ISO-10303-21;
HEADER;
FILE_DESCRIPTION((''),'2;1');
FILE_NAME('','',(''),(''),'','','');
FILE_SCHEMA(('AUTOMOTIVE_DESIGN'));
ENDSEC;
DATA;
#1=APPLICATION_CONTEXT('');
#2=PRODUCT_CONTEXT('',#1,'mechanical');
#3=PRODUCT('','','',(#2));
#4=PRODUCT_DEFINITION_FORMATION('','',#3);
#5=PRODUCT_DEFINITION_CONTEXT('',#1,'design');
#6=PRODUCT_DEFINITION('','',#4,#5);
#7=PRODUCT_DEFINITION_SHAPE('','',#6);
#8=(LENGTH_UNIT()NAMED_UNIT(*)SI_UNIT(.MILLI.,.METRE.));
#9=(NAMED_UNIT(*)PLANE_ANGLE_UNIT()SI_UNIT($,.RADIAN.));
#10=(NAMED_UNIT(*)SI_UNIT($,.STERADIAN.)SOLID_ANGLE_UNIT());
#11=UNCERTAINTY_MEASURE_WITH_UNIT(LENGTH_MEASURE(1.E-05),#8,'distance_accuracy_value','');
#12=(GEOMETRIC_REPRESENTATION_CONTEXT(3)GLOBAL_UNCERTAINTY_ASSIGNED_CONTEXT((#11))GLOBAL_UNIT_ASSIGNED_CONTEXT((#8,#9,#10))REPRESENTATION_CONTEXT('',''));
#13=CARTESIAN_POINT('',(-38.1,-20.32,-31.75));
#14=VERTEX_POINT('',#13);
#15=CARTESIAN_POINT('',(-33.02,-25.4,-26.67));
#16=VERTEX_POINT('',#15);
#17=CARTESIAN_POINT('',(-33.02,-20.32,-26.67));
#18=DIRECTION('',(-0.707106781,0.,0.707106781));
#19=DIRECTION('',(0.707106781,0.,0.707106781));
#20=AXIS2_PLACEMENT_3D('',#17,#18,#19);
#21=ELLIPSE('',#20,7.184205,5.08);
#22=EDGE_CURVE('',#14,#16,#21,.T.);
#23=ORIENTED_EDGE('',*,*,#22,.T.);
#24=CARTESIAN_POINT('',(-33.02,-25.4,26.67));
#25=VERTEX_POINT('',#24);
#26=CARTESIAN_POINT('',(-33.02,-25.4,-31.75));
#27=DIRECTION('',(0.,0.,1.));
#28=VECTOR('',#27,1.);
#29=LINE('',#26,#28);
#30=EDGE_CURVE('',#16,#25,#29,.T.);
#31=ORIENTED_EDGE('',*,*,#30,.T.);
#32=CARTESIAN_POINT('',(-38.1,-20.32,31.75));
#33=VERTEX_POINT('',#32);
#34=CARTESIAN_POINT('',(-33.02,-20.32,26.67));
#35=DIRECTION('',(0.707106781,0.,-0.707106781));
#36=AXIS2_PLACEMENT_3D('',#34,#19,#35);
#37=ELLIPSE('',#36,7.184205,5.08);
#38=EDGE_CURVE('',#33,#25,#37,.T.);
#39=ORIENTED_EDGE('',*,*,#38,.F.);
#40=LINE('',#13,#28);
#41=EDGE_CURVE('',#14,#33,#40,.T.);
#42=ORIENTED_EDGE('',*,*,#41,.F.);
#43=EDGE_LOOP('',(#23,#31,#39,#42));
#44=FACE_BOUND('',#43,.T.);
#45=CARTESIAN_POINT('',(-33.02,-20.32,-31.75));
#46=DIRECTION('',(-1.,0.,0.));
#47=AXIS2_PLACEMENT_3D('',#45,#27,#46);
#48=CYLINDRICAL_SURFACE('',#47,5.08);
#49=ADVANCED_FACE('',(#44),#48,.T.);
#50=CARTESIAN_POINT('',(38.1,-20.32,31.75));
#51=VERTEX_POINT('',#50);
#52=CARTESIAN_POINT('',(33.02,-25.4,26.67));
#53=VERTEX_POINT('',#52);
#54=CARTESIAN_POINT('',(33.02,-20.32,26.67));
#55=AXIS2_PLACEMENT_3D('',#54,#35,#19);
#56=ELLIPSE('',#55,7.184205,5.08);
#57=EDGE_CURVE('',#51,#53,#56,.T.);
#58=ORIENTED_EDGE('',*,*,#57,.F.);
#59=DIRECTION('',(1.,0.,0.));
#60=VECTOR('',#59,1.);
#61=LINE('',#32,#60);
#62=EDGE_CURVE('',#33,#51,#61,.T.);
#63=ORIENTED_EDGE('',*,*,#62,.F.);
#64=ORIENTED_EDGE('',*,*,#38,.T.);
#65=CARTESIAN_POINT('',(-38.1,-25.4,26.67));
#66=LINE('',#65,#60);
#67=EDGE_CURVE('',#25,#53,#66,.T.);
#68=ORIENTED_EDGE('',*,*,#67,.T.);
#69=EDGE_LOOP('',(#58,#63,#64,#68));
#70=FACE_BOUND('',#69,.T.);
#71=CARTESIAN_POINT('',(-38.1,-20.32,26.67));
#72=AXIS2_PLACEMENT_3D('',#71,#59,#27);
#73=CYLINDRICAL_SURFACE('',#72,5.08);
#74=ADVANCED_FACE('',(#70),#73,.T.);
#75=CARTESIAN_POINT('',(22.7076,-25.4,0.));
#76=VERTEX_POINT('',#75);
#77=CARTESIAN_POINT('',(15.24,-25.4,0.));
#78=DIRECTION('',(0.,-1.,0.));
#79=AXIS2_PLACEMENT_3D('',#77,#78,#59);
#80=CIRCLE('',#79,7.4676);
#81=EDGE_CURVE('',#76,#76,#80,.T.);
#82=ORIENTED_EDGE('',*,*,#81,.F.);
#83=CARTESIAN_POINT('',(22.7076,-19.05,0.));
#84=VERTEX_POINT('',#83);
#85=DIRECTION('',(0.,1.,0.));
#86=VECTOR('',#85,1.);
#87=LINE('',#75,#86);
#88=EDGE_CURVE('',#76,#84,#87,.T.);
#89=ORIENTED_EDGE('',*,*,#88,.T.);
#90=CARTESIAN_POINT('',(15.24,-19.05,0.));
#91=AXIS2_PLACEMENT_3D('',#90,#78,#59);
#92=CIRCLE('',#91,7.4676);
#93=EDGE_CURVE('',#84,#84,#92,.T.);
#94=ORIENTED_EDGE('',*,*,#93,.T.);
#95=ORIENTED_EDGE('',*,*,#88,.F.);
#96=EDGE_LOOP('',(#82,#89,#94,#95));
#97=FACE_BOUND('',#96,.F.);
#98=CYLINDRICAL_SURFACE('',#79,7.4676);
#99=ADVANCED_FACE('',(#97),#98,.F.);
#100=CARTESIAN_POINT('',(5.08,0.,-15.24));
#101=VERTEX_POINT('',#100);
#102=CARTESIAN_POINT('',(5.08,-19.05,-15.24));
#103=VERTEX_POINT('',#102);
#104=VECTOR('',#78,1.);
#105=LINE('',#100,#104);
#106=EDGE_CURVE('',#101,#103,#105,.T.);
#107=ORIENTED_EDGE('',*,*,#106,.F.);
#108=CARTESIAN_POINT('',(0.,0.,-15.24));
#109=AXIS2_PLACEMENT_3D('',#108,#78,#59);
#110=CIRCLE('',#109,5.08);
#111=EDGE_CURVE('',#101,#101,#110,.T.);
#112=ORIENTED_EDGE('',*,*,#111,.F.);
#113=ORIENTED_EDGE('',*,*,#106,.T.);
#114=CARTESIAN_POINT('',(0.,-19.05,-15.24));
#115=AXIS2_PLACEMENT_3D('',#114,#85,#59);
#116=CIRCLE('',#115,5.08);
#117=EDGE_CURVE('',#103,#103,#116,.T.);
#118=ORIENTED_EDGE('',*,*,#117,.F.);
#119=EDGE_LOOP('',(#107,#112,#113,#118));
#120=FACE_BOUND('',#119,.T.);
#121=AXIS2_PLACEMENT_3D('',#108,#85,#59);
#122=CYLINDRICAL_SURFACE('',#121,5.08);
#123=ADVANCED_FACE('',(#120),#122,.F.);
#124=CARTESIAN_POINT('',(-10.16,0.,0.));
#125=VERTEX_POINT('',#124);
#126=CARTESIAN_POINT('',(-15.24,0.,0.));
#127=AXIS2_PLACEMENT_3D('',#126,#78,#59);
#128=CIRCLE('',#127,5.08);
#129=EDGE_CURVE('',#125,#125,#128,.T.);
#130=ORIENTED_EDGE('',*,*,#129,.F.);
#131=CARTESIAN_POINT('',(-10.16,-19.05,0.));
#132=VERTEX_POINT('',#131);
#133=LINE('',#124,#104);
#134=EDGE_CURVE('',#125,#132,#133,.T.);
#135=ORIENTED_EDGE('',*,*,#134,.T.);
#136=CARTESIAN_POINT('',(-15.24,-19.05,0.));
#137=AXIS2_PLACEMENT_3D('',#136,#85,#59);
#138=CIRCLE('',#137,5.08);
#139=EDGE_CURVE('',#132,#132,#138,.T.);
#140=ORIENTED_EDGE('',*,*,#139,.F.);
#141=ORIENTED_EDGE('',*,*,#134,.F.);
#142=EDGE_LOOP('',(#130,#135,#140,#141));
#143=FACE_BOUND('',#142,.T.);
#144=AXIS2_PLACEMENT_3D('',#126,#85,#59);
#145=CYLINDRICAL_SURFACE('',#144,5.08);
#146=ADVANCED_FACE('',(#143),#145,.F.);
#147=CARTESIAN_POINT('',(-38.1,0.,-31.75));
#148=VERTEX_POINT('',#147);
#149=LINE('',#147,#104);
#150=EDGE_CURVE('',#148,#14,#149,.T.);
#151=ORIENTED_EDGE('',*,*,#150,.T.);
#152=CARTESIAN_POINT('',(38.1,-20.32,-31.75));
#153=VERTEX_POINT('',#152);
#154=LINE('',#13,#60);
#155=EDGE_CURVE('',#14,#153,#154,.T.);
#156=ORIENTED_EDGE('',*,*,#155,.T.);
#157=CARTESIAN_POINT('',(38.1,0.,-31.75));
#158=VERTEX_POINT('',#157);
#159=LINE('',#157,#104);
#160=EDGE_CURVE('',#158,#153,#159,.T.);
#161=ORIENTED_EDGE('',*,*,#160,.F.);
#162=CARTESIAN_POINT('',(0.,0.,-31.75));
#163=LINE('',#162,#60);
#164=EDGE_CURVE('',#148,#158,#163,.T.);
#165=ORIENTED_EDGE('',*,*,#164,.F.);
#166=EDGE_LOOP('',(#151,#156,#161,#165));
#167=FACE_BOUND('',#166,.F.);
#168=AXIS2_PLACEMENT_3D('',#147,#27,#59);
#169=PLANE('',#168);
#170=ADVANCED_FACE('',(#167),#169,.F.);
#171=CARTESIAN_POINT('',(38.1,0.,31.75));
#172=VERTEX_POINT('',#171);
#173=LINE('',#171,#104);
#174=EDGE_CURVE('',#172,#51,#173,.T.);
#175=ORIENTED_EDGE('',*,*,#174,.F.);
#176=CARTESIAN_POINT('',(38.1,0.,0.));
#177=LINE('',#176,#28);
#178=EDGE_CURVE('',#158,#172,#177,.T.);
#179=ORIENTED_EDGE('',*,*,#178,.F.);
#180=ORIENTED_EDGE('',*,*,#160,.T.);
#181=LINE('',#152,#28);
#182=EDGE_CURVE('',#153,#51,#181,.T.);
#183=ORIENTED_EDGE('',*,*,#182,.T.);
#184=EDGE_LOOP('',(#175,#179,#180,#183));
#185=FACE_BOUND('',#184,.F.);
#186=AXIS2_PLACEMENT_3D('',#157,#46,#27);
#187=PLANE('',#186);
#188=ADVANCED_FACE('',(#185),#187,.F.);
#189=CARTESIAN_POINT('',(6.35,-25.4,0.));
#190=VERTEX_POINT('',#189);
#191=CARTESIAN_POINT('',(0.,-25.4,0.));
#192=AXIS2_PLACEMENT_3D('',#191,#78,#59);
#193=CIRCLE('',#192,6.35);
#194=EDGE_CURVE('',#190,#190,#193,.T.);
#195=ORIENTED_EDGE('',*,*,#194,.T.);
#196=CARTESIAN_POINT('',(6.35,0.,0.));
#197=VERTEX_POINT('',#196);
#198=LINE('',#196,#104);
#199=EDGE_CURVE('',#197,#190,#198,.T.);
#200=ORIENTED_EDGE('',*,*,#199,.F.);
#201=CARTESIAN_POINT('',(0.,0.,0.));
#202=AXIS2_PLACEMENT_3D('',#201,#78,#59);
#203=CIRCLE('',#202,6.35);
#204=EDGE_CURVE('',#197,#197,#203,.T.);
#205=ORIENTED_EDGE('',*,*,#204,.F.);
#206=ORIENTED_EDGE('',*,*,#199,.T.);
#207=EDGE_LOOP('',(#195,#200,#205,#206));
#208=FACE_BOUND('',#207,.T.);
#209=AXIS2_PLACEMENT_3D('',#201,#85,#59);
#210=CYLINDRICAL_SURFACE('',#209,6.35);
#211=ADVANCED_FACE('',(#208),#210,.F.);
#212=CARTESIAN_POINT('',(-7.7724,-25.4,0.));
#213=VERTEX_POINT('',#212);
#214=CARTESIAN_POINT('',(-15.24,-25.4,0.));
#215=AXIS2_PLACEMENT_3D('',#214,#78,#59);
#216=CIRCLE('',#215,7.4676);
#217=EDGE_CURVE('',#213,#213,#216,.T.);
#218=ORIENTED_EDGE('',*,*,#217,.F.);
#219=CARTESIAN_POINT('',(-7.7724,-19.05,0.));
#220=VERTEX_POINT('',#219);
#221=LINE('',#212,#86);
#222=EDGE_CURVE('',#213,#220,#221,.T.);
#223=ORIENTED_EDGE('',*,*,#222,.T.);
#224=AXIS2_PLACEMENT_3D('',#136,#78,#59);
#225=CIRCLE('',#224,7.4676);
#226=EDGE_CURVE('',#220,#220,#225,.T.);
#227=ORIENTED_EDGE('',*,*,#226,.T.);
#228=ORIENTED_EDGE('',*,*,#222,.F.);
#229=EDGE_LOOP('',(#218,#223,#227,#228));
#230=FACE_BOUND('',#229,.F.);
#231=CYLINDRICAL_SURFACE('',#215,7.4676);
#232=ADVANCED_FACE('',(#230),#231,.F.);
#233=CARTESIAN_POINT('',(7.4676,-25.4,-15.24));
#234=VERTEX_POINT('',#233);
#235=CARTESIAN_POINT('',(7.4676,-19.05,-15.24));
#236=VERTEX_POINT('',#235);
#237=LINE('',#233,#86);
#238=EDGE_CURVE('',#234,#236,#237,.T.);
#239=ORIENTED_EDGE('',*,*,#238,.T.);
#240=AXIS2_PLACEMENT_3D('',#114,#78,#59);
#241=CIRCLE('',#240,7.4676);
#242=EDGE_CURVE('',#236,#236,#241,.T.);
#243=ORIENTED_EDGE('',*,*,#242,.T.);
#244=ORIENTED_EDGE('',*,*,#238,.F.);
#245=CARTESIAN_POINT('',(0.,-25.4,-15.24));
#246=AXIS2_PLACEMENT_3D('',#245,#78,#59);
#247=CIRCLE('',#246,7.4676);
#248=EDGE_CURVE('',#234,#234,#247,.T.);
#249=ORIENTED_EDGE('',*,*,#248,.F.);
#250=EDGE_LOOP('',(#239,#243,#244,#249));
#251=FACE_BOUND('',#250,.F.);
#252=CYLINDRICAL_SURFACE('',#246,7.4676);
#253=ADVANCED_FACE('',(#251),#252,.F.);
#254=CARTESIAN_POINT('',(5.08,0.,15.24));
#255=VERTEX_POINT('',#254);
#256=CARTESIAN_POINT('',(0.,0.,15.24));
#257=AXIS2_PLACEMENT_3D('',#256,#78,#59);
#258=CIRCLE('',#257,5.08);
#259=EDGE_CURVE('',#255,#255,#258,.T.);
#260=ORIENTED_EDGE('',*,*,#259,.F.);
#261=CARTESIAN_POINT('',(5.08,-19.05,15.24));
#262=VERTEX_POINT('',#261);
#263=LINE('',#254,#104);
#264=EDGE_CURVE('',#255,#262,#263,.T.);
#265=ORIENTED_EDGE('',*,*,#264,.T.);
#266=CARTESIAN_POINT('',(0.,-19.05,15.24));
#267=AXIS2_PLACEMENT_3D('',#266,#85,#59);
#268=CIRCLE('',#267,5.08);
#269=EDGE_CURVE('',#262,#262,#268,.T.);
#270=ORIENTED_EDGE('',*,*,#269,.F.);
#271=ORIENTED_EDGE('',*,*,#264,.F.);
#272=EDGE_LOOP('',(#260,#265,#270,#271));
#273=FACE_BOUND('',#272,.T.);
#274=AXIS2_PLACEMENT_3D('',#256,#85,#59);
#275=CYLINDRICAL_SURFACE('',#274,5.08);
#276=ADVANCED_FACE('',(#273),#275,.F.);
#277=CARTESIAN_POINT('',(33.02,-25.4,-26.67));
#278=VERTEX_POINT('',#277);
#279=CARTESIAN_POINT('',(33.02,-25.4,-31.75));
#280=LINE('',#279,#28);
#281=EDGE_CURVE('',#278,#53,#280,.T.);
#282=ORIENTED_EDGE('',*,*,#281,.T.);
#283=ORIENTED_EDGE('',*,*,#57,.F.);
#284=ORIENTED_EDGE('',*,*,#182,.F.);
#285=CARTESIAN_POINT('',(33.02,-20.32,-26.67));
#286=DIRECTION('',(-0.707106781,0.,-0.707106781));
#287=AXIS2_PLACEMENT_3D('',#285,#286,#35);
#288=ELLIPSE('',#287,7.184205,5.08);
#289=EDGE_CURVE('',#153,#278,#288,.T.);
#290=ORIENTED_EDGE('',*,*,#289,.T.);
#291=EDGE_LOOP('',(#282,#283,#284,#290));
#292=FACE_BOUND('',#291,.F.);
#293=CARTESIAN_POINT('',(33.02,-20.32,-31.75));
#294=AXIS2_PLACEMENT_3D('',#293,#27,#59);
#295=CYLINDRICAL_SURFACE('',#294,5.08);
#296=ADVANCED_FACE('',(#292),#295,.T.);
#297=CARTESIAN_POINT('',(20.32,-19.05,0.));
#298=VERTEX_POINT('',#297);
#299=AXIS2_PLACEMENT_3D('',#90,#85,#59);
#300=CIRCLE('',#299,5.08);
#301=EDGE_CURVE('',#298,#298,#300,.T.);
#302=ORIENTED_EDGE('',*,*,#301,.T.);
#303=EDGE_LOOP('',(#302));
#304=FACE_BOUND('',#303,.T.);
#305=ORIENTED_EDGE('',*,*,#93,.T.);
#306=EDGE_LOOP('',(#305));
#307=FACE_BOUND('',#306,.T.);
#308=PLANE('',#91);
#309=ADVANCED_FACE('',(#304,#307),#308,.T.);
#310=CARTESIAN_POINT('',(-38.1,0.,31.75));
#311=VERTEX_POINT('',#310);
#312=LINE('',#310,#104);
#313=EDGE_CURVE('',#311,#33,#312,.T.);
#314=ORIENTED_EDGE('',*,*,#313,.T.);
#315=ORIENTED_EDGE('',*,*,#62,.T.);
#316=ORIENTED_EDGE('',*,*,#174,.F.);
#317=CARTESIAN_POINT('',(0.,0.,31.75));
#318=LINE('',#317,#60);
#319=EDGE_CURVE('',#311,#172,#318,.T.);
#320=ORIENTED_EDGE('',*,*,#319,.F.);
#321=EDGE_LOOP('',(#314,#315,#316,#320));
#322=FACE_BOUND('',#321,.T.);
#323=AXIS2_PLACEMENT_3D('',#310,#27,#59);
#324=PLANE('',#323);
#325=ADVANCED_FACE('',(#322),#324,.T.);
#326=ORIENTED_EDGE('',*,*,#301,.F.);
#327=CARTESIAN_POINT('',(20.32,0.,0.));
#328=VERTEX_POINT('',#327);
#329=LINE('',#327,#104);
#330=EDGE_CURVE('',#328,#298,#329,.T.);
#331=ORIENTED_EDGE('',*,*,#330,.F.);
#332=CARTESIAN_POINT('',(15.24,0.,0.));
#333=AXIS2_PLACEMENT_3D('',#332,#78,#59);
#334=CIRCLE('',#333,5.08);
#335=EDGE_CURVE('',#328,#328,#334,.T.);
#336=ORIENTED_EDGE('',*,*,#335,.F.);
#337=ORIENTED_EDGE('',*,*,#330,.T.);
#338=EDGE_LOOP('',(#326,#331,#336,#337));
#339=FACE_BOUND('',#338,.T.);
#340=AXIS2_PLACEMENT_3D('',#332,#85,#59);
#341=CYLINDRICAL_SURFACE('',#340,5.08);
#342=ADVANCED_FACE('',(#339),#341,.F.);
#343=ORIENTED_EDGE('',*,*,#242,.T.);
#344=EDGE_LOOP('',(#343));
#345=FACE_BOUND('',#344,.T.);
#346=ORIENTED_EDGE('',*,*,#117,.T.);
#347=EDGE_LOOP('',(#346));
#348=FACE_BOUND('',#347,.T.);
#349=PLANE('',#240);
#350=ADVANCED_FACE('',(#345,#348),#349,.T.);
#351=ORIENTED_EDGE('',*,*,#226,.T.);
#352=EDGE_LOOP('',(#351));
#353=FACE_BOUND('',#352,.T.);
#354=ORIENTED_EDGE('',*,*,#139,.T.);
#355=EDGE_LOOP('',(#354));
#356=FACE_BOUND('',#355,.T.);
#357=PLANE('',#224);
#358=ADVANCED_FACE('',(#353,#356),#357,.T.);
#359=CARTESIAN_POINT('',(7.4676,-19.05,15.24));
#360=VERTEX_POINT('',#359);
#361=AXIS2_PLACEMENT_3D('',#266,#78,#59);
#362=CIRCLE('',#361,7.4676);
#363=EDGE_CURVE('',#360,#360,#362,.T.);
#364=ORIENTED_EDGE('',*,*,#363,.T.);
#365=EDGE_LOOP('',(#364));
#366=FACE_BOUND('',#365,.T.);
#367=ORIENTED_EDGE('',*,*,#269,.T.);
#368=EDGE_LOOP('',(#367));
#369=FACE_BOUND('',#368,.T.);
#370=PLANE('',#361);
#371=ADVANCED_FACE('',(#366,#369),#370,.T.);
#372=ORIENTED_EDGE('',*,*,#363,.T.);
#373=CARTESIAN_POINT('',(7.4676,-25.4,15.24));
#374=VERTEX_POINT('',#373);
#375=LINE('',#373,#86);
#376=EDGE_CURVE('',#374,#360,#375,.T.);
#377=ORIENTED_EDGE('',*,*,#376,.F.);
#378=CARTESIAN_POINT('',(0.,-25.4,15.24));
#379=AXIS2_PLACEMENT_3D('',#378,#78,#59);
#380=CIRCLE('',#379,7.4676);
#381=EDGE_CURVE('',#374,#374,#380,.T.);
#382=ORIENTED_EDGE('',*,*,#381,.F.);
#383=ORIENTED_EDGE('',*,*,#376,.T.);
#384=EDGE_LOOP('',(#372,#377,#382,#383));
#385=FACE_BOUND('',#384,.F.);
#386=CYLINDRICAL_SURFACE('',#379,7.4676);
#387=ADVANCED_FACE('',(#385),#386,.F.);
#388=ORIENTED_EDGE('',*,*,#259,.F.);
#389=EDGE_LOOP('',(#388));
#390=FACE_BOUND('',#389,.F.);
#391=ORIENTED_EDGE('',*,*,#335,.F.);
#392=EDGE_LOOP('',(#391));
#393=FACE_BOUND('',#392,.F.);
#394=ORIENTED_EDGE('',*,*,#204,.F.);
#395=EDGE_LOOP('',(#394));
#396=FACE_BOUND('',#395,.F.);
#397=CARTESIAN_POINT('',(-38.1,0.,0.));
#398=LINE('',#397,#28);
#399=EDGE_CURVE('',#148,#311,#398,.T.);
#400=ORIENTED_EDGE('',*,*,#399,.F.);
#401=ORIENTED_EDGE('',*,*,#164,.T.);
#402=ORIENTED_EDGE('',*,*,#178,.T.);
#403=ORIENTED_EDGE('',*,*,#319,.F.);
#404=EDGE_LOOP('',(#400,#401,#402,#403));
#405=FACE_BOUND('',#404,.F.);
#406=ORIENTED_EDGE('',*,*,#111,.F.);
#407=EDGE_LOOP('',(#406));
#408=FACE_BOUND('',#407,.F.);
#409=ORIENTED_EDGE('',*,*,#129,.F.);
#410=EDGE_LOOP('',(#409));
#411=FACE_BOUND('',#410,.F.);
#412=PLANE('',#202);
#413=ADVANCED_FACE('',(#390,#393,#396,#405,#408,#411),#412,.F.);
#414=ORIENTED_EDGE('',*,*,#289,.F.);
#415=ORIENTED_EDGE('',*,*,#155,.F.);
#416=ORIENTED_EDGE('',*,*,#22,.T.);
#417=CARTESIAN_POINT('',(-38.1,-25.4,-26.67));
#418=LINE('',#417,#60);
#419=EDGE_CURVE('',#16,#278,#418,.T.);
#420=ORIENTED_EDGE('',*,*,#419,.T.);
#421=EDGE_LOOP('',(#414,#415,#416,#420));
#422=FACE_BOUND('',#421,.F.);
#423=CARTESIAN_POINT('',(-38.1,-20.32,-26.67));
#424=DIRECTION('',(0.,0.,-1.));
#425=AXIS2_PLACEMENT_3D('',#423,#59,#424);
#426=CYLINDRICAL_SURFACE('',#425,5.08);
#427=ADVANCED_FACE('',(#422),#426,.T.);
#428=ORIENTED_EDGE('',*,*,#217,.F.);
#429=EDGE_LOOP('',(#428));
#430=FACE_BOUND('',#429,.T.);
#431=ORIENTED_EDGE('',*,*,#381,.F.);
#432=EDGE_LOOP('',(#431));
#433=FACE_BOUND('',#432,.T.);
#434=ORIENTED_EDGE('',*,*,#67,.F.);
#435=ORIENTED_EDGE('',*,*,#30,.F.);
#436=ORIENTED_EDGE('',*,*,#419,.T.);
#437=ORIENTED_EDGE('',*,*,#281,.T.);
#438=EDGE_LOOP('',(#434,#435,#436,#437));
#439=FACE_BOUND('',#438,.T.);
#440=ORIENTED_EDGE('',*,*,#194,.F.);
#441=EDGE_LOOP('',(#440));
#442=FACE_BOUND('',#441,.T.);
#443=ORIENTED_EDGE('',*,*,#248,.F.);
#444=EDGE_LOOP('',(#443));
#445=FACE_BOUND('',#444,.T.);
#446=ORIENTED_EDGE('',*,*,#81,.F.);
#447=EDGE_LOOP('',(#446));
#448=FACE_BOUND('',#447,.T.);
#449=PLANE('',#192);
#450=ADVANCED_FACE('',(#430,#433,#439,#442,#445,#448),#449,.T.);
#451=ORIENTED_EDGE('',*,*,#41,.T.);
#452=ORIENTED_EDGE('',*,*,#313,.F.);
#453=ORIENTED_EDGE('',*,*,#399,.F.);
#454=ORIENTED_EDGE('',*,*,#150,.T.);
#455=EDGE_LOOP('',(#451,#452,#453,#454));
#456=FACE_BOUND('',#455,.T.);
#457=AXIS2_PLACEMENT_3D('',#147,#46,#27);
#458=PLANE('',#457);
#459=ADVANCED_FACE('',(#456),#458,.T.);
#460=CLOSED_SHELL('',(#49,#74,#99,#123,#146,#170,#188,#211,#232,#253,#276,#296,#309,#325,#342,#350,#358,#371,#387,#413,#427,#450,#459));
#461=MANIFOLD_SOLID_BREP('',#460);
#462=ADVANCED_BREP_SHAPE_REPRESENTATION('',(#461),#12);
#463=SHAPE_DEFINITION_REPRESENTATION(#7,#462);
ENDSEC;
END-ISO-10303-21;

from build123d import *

# Parameters (mm, degrees)
F0_W     = 76.2
F0_H     = 63.5
F0_R     = 5.08
F0_R_2   = 6.35
F1_DEPTH = 25.4
F2_R     = 5.08
F3_R     = 7.4676
F3_R_2   = 5.08
F4_DEPTH = 6.35


with BuildPart() as f1:
    # F0 (on Front) → F1 (new body)
    with BuildSketch(Plane.XZ):
        Rectangle(F0_W, F0_H)
        with Locations((0, -15.24)):
            Circle(F0_R, mode=Mode.SUBTRACT)
        with Locations((-15.24, 0)):
            Circle(F0_R, mode=Mode.SUBTRACT)
        Circle(F0_R_2, mode=Mode.SUBTRACT)
        with Locations((15.24, 0)):
            Circle(F0_R, mode=Mode.SUBTRACT)
        with Locations((0, 15.24)):
            Circle(F0_R, mode=Mode.SUBTRACT)
    extrude(amount=F1_DEPTH)

    # F2
    f2_edges = [f1.edges().sort_by_distance(p)[0] for p in [
        (0, -25.4, 31.75),
        (-38.1, -25.4, 0),
        (0, -25.4, -31.75),
        (38.1, -25.4, 0),
    ]]
    fillet(f2_edges, radius=F2_R)

    # F3 (on face) → F4 (cut)
    with BuildSketch(Plane.XZ.offset(25.4)):
        with Locations((-15.24, 0)):
            Circle(F3_R)
        with Locations((0, 15.24)):
            Circle(F3_R)
        with Locations((15.24, 0)):
            Circle(F3_R)
        with Locations((0, -15.24)):
            Circle(F3_R)
        with Locations((0, -15.24)):
            Circle(F3_R_2)
        with Locations((-15.24, 0)):
            Circle(F3_R_2)
        with Locations((0, 15.24)):
            Circle(F3_R_2)
        with Locations((15.24, 0)):
            Circle(F3_R_2)
    extrude(amount=-F4_DEPTH, mode=Mode.SUBTRACT)


solid = f1.part
